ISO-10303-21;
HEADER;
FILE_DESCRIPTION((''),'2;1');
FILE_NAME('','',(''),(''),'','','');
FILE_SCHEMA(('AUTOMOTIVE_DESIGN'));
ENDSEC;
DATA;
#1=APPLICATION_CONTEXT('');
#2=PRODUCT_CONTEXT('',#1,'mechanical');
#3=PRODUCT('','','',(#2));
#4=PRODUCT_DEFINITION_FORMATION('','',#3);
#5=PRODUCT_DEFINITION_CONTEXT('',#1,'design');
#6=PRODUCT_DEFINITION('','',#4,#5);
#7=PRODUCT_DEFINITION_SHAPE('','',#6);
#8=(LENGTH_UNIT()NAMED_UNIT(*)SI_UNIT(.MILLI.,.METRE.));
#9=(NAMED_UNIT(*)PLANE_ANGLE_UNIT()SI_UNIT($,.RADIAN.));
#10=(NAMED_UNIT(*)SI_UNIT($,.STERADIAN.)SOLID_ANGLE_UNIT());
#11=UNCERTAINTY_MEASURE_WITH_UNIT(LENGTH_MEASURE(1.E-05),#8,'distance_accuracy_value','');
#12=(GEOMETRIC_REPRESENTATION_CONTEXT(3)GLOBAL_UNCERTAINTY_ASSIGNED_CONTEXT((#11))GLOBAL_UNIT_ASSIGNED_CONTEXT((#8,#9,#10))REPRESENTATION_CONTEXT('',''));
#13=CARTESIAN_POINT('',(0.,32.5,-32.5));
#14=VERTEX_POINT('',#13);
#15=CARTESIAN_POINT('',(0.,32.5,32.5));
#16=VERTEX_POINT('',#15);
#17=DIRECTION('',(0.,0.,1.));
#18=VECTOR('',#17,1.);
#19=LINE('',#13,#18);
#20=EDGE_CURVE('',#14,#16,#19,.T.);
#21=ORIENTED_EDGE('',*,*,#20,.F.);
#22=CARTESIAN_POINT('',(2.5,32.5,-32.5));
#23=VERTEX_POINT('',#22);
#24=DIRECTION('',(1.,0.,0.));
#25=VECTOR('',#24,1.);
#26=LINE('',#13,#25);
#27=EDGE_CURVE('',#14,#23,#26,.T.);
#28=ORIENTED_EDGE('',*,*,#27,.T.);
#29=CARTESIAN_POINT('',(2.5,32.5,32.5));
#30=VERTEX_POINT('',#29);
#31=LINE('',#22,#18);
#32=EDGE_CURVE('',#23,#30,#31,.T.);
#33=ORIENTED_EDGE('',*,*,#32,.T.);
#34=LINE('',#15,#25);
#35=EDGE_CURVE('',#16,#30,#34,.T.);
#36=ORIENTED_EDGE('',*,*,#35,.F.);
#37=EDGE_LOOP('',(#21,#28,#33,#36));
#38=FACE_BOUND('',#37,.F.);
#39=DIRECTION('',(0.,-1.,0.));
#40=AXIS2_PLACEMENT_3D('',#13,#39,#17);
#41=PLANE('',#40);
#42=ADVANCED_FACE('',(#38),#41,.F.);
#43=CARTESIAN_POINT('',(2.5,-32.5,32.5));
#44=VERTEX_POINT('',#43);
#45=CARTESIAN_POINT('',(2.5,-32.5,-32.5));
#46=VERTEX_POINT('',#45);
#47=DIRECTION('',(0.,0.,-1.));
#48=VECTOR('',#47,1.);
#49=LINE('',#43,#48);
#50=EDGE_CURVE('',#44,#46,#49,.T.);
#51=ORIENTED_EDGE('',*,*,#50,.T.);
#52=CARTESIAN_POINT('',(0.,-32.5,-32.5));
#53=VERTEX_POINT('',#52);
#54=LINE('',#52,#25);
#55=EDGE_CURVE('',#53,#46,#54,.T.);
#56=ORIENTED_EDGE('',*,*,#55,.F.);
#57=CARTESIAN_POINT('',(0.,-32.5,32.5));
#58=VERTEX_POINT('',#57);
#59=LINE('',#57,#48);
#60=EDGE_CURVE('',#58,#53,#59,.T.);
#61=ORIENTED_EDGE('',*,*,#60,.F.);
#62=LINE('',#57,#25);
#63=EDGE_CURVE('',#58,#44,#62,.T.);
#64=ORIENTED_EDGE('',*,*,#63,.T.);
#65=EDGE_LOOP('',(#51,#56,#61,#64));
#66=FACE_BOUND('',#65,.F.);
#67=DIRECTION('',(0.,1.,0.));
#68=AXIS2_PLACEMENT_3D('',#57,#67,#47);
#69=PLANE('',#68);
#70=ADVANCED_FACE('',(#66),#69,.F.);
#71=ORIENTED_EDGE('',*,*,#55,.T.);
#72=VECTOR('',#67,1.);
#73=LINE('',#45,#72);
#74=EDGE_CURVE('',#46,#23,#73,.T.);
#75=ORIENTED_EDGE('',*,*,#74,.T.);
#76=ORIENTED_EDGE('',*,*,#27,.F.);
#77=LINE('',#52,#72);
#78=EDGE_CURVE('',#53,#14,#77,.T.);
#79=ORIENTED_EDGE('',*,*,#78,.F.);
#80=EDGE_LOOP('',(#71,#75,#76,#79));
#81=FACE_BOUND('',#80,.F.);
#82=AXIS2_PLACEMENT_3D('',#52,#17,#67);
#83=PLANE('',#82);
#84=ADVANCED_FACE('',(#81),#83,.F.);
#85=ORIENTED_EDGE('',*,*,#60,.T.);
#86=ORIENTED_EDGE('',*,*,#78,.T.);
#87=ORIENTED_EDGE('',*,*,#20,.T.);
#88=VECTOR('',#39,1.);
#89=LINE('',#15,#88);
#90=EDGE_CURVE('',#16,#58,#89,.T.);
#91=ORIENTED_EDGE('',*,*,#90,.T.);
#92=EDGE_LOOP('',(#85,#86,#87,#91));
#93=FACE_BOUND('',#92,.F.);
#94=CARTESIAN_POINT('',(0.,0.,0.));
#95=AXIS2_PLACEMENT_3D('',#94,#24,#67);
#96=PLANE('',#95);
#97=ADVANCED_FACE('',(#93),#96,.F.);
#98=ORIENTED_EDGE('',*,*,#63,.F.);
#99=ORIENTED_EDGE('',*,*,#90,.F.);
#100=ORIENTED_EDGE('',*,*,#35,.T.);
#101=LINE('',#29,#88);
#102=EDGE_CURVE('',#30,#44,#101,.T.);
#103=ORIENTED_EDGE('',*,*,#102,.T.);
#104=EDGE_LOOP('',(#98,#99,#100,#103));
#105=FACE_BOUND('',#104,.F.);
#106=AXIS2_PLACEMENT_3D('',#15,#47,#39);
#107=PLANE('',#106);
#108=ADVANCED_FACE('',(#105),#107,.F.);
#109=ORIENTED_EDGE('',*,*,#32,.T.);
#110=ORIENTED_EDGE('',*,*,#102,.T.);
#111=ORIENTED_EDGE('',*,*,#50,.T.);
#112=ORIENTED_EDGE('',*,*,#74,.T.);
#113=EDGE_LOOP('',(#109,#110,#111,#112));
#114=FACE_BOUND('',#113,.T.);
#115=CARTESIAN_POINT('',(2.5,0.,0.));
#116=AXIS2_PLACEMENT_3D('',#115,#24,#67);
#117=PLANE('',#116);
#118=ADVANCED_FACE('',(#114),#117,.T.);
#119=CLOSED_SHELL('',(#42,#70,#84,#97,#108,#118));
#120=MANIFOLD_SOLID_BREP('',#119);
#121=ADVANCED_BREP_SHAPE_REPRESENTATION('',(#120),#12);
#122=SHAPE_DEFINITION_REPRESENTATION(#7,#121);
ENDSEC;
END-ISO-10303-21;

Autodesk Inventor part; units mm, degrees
ref_plane "YZ Plane" through (0, 0, 0) normal (1, 0, 0) x (0, 1, 0)
ref_plane "XZ Plane" through (0, 0, 0) normal (0, 1, 0) x (-1, 0, 0)
ref_plane "XY Plane" through (0, 0, 0) normal (0, 0, 1) x (1, 0, 0)
sketch "Sketch1" plane through (0, 0, 0) normal (1, 0, 0) x (0, 1, 0)
  line L0 (32.5, 32.5) -> (-32.5, 32.5)
  line L1 (-32.5, 32.5) -> (-32.5, -32.5)
  line L2 (-32.5, -32.5) -> (32.5, -32.5)
  line L3 (32.5, -32.5) -> (32.5, 32.5)
  line L4 (32.5, 32.5) -> (-32.5, -32.5) construction
  line L5 (-32.5, 32.5) -> (32.5, -32.5) construction
  point P0 (0, 0)
  dimension "d0" = 65
  dimension "d1" = 65
extrude "Extrusion1" add sketch "Sketch1" along normal blind 2.5
equation "\"d1\" = d0"
properties part number "ogniwo_sloneczne"
